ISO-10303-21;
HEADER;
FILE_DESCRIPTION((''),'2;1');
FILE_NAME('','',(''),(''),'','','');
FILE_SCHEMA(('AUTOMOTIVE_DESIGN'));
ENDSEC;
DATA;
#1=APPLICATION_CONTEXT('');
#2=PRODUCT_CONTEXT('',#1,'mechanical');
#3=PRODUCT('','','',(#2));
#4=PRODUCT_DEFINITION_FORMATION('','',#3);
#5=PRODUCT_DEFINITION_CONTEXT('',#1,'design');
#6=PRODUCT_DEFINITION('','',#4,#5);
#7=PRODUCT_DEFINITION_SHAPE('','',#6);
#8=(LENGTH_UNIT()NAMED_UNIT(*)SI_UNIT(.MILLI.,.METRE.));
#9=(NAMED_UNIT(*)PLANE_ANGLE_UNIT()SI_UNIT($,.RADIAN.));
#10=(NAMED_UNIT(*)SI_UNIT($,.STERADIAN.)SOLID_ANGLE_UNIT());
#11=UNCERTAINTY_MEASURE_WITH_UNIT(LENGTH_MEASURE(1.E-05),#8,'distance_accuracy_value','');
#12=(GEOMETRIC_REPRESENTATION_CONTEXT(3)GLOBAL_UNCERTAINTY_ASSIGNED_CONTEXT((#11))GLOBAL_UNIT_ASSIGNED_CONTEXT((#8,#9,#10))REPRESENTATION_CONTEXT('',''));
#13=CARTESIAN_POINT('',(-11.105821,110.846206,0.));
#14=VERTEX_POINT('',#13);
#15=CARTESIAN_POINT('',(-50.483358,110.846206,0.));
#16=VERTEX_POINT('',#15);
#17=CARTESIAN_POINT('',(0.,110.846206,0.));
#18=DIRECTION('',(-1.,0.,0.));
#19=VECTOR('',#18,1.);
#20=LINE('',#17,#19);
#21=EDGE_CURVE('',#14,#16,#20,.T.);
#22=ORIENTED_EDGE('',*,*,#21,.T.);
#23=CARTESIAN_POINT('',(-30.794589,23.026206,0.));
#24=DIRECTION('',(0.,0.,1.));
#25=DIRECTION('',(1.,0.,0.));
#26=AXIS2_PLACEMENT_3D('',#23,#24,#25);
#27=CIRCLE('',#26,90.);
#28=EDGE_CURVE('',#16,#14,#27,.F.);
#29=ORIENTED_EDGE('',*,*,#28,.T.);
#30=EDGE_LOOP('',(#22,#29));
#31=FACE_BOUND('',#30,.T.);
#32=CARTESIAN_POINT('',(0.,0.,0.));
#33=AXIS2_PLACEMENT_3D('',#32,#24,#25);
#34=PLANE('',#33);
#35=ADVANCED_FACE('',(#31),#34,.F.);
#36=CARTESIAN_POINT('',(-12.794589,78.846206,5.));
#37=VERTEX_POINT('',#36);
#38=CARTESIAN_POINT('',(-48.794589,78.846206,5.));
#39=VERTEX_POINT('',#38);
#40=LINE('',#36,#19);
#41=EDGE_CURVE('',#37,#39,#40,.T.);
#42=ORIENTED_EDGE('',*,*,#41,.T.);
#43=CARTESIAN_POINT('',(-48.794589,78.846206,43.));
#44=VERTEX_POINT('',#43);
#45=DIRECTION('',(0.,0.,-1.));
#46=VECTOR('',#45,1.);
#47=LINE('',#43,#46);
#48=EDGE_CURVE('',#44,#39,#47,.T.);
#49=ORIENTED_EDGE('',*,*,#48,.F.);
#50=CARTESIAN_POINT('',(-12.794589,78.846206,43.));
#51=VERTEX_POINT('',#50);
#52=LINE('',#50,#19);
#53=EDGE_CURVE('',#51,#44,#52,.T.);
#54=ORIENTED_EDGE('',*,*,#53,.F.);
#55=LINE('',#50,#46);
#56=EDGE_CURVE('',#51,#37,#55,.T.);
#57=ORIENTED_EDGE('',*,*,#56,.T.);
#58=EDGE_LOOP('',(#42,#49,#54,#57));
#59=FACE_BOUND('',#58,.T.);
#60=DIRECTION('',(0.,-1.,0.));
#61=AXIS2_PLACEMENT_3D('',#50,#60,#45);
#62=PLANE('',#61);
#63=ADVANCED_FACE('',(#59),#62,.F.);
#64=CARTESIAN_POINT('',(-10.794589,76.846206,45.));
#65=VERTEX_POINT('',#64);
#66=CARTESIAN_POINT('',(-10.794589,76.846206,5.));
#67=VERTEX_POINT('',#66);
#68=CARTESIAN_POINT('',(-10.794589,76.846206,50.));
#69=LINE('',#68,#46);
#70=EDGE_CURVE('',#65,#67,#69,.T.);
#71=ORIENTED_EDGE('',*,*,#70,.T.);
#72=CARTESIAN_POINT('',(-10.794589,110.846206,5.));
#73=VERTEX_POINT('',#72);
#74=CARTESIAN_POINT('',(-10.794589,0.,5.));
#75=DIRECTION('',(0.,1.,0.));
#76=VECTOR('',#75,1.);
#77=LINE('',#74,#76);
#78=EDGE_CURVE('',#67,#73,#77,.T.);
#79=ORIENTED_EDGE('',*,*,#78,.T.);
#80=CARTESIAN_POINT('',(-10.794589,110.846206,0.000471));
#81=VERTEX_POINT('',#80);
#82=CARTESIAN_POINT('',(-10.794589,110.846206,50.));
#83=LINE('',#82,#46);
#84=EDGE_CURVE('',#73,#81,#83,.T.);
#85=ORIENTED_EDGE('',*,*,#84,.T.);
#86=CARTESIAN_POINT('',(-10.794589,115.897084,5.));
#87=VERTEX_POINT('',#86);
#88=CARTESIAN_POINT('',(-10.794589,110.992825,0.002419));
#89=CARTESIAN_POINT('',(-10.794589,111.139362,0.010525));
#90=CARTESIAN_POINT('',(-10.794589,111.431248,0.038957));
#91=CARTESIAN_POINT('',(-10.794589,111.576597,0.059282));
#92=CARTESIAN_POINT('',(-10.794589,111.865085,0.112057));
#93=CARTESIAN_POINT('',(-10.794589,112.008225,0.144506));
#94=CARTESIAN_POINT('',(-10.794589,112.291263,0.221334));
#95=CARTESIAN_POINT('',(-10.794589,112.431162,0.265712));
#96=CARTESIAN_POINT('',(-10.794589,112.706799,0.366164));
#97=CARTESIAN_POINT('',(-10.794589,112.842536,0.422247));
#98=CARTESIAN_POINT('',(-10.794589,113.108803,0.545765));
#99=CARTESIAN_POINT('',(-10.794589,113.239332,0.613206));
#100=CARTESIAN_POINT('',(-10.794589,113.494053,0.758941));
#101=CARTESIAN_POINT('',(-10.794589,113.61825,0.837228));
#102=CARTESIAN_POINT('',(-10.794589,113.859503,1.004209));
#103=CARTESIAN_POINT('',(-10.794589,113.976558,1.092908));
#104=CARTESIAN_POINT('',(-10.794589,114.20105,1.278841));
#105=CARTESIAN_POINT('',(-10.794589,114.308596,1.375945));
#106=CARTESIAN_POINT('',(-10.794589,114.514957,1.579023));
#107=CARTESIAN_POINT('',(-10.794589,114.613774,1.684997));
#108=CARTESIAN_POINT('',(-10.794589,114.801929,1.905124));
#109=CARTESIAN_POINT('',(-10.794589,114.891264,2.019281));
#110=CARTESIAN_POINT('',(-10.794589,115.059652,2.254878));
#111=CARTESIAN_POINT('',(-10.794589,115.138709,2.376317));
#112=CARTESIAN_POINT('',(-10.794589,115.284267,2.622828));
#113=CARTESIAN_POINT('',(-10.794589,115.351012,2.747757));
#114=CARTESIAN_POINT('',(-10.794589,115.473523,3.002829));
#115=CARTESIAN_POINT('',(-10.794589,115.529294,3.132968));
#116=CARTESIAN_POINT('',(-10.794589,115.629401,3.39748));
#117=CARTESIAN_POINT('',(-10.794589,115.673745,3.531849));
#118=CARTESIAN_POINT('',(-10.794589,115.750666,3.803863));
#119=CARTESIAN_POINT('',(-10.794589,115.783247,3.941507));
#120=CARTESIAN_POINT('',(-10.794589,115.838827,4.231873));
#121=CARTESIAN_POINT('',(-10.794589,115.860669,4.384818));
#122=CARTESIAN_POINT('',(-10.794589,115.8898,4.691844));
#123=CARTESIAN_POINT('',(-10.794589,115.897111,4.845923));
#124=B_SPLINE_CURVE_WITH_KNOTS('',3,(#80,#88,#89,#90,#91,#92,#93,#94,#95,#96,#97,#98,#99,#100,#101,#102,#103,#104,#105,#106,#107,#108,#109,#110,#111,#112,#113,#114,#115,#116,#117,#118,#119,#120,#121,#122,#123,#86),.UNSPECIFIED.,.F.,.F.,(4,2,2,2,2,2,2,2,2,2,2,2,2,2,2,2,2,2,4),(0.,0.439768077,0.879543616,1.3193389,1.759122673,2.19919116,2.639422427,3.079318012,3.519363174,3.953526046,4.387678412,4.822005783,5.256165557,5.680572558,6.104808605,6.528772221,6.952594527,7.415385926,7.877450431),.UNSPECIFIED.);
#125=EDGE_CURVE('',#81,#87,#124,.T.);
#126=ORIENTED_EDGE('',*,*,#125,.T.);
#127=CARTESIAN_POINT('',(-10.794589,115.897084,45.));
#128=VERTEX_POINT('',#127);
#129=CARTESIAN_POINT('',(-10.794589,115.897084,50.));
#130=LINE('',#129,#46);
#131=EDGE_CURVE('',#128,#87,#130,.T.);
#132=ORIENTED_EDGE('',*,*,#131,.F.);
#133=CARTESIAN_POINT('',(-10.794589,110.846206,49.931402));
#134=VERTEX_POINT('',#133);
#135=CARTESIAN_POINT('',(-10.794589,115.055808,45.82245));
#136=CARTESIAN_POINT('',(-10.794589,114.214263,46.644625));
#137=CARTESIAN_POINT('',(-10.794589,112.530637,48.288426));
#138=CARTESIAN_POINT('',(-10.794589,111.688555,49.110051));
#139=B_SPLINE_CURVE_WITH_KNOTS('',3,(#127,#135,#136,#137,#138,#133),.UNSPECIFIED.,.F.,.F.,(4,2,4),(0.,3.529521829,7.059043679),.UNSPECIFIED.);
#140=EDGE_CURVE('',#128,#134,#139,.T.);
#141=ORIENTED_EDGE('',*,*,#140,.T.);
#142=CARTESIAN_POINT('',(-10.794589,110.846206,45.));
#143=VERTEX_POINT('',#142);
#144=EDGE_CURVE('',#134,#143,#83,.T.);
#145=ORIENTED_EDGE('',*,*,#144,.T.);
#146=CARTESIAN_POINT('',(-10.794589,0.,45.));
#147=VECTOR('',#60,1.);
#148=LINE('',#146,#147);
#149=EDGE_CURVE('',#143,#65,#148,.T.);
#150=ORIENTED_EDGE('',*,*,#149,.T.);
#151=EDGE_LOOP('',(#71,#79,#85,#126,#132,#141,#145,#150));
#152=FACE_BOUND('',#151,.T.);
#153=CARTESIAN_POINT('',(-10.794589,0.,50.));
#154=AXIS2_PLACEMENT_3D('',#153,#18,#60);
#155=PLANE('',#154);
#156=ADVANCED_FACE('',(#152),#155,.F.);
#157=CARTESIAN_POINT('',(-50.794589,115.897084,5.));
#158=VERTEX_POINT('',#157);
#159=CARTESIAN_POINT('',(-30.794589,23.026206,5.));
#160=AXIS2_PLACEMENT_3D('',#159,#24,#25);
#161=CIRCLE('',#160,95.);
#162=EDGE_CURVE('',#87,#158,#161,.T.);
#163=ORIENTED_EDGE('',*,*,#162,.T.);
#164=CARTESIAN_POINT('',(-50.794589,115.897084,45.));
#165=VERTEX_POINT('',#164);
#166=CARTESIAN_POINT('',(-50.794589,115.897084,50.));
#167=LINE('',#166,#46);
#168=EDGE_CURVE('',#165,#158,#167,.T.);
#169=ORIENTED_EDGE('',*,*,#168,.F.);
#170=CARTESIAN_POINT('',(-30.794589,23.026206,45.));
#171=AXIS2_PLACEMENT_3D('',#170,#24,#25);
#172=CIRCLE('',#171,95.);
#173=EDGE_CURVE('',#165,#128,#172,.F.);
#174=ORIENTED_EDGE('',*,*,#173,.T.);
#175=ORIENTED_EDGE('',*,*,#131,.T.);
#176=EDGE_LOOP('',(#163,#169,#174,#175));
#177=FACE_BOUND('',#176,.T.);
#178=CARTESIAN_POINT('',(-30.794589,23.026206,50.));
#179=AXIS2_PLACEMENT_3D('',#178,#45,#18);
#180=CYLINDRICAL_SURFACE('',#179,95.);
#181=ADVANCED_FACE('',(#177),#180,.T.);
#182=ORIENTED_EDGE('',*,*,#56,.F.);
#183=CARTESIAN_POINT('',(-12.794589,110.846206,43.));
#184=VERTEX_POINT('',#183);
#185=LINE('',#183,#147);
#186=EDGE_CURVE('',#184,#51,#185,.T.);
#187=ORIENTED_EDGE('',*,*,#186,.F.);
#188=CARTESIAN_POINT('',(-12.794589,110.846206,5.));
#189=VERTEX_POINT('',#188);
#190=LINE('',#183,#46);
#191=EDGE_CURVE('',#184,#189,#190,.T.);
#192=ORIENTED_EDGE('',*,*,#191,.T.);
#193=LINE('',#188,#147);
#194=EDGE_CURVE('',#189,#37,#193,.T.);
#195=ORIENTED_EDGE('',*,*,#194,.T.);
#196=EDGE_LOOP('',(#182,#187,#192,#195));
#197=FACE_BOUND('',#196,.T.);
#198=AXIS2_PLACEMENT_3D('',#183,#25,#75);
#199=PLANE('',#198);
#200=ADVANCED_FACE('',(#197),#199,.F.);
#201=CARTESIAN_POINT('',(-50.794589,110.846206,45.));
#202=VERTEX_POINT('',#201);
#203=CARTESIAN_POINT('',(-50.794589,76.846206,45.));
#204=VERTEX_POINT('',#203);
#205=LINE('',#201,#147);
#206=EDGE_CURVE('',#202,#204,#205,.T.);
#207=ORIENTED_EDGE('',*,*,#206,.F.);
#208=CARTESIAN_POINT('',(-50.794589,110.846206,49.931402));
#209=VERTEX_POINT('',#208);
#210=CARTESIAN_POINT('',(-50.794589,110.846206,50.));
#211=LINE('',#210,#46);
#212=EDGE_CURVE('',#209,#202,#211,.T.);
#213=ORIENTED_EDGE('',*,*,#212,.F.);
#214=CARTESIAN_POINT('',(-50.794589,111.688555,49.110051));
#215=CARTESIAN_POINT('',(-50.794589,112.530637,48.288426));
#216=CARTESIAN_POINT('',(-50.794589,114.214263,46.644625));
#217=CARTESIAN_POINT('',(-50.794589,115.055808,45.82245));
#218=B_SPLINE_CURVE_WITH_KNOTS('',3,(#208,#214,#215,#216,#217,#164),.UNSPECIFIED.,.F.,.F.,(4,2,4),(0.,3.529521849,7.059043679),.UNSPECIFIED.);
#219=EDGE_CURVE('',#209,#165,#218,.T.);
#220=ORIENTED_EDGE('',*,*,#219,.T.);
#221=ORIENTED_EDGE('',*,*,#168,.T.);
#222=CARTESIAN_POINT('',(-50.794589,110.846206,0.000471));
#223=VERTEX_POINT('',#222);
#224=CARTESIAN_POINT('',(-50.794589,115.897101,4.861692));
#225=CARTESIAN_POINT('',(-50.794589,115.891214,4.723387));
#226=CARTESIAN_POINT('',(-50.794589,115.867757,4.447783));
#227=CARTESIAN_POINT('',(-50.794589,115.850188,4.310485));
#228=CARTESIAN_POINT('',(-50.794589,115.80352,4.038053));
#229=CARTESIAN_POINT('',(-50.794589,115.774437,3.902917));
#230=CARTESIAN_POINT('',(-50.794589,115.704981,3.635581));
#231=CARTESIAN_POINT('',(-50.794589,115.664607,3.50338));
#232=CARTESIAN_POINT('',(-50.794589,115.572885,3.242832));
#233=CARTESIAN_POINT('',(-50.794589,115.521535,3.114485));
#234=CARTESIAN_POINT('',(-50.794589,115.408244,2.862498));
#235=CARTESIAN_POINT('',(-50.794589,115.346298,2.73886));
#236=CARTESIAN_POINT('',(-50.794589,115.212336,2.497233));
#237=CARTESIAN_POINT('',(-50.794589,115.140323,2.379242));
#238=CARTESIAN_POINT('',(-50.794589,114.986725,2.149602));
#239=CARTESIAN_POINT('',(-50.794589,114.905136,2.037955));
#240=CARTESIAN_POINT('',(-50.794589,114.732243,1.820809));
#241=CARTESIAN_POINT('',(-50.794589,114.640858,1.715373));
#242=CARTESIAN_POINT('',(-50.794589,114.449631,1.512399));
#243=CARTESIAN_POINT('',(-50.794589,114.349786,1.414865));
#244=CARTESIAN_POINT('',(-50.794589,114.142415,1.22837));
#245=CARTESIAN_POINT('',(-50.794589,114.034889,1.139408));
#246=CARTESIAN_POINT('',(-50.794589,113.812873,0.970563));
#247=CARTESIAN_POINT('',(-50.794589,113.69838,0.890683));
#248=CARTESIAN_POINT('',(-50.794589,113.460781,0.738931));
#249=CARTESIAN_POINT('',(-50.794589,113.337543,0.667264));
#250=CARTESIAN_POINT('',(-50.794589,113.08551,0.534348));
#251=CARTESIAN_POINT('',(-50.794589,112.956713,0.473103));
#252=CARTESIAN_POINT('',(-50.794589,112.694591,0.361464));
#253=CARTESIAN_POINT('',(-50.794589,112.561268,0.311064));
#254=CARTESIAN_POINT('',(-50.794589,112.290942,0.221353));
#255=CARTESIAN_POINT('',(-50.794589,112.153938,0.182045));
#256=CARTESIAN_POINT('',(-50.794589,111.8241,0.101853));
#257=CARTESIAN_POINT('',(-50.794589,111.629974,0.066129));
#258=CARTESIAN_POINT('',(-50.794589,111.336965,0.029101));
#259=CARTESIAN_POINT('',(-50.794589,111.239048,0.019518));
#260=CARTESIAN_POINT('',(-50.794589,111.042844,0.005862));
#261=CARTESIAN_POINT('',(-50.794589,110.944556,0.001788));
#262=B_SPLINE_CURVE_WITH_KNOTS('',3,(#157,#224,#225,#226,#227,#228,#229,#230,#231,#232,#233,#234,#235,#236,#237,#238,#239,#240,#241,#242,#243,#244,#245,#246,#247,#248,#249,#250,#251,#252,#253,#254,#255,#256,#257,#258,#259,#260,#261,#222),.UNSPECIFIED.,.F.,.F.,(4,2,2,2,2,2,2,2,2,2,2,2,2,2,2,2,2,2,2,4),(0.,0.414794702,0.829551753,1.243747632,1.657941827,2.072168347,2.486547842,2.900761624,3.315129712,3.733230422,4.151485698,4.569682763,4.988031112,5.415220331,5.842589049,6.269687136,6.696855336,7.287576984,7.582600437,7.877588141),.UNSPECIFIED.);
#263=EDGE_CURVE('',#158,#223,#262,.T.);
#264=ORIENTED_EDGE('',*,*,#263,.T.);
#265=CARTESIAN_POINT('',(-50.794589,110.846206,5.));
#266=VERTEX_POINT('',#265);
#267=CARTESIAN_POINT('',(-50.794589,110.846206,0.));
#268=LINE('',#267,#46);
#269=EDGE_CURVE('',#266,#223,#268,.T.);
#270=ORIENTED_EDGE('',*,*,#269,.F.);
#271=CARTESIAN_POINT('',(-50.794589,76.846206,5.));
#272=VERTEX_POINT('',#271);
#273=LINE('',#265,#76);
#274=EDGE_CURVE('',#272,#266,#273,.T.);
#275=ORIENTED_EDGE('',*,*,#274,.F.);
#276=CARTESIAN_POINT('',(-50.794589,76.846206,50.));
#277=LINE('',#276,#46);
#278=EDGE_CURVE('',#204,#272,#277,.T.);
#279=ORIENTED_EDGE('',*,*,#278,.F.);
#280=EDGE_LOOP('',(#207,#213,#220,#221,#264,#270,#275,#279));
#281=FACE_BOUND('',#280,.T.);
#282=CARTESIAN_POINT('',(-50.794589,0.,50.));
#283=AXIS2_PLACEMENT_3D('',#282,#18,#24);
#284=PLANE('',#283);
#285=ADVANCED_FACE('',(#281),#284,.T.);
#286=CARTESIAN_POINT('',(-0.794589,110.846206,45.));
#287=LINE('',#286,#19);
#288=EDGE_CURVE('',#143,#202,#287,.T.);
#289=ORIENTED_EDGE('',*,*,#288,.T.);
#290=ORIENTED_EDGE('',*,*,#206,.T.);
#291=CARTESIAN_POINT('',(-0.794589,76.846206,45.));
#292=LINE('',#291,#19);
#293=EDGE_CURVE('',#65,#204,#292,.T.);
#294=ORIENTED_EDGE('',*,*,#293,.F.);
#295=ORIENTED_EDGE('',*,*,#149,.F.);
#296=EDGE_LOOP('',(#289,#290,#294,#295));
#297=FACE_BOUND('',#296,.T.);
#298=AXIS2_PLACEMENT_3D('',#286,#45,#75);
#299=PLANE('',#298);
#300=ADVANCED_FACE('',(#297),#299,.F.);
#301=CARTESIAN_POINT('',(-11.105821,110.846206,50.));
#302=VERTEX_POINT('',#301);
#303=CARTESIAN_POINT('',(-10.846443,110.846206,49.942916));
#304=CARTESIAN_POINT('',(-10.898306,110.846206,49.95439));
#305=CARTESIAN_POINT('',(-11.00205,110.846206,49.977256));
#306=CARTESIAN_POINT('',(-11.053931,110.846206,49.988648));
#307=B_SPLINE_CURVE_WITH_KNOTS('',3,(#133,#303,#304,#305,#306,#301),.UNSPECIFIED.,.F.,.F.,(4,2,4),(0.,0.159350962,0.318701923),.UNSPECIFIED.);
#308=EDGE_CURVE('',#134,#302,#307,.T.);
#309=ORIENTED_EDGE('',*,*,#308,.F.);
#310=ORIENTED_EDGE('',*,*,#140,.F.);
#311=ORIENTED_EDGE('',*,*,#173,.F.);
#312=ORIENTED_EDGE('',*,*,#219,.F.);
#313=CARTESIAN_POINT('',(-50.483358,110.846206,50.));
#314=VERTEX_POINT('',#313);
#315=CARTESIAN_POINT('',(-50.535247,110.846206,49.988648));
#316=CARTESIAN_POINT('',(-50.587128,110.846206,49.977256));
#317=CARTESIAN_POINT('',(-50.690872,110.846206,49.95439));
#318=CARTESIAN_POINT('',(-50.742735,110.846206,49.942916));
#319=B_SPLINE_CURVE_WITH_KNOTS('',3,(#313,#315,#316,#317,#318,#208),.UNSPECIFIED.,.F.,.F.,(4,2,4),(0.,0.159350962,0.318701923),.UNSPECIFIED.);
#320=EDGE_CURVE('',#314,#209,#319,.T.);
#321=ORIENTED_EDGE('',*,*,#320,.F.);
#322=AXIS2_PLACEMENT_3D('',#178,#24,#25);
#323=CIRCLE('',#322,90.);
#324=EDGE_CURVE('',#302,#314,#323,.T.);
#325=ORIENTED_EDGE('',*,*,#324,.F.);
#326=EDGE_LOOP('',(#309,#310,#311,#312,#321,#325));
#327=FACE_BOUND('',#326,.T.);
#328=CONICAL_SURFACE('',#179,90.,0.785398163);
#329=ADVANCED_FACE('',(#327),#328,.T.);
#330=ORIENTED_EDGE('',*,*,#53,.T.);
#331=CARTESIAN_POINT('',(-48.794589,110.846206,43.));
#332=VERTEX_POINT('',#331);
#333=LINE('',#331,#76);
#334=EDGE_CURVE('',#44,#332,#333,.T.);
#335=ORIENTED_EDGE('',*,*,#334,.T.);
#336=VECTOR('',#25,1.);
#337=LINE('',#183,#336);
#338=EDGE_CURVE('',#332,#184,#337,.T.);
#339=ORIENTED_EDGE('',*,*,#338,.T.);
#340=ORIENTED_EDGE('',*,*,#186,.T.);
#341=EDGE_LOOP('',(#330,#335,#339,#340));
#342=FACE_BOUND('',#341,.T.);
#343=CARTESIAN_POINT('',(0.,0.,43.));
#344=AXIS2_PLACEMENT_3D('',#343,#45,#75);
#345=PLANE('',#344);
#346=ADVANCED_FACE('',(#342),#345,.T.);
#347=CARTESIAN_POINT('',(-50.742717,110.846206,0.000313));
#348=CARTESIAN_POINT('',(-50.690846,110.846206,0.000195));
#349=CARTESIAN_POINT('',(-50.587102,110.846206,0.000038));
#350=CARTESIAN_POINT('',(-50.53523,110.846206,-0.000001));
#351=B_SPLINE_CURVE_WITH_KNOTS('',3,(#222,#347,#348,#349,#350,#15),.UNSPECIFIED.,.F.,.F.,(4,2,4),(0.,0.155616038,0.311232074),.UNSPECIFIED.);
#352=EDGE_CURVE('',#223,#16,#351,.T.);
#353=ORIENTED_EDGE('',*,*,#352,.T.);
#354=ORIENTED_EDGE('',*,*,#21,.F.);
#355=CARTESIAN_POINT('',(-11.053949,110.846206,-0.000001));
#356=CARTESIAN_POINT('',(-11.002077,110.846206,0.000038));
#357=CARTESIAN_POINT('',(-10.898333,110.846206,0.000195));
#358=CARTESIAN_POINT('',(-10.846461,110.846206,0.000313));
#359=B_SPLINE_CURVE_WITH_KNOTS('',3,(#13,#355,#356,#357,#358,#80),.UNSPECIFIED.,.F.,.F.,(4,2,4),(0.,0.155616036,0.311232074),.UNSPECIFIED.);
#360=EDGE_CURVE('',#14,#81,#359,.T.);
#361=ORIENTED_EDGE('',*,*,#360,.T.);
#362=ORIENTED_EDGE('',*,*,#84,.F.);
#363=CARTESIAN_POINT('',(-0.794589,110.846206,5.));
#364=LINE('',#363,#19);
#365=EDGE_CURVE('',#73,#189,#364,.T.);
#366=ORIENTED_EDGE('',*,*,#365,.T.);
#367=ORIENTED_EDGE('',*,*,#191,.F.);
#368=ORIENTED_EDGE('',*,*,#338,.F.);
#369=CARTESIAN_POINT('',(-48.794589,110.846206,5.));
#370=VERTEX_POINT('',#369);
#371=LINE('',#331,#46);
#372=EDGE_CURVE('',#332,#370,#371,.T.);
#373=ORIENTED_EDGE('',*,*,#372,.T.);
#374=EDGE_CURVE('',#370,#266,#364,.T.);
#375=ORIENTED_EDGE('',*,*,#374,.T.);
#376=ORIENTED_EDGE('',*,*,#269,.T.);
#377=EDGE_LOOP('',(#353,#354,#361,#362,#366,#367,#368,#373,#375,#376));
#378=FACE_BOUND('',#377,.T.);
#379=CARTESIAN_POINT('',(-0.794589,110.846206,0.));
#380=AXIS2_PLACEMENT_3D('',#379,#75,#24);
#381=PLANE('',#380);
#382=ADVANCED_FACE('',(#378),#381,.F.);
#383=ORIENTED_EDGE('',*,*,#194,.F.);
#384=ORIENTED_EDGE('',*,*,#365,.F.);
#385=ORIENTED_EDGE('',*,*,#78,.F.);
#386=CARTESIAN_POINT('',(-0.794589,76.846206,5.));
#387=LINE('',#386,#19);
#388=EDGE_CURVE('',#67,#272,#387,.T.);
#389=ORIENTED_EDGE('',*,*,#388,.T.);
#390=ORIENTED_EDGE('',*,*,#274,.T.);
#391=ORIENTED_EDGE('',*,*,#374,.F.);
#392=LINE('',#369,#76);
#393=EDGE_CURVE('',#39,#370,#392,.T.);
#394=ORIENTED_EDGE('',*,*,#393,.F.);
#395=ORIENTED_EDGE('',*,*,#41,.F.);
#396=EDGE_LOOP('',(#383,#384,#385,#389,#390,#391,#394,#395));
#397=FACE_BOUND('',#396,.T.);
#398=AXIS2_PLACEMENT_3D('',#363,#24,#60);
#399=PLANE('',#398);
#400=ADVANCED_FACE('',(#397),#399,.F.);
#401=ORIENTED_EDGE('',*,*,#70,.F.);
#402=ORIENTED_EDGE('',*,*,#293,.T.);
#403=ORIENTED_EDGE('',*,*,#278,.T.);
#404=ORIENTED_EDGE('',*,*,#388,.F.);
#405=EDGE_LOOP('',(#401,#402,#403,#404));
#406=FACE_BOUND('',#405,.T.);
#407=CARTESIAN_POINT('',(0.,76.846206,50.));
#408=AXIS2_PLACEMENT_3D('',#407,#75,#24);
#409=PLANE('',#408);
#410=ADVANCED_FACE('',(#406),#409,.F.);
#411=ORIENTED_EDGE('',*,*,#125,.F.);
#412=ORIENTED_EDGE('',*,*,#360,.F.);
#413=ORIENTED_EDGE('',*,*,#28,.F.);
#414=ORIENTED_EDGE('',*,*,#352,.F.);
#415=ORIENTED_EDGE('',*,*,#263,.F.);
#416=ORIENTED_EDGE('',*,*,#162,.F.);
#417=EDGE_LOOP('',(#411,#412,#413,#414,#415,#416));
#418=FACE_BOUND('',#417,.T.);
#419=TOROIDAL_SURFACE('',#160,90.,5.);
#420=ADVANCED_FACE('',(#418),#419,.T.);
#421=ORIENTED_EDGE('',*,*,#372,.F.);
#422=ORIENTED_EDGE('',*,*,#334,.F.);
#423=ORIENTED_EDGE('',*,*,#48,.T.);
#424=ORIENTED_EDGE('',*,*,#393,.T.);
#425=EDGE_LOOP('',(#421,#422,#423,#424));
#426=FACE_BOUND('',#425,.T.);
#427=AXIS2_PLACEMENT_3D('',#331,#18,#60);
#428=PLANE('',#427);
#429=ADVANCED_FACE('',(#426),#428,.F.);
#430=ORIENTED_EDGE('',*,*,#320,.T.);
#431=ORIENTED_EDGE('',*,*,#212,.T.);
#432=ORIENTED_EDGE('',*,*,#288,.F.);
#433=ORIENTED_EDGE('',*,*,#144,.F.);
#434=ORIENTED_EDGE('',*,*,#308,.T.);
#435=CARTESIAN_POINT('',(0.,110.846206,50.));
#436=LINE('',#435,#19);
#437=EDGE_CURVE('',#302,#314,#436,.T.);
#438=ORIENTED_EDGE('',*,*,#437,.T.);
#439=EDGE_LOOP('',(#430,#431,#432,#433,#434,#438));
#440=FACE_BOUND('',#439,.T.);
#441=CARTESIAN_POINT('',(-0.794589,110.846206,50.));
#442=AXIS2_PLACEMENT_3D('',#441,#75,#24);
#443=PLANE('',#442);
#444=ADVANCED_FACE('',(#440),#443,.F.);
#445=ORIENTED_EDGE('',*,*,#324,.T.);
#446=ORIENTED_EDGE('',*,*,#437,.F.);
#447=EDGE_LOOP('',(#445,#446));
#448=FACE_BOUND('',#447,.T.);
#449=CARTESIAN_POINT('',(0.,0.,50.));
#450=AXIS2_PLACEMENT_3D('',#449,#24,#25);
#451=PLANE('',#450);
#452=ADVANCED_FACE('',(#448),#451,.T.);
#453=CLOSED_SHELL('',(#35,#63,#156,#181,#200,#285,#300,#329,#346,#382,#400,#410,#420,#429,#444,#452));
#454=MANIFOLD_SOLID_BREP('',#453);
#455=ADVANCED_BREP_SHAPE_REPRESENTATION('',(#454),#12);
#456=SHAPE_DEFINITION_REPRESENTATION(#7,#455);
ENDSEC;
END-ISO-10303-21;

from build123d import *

# Parameters (mm, degrees)
SALIENTE_EXTRUIR1_DEPTH = 50
CROQUIS4_W              = 5
CROQUIS4_H              = 34
CORTAR_EXTRUIR3_DEPTH   = 50
CROQUIS5_W              = 36
CROQUIS5_H              = 32
CORTAR_EXTRUIR4_DEPTH   = 38
REDONDEO1_R             = 5
CHAFL_N1_SIZE           = 5


with BuildPart() as part:
    # Croquis1 → Saliente-Extruir1 (new body)
    with BuildSketch(Plane.XY):
        with BuildLine():
            Line((-50.7945892, 115.897083669), (-50.7945892, 110.077719464))
            Line((-50.7945892, 110.077719464), (-50.7945892, 76.846205564))
            Line((-50.7945892, 76.846205564), (-10.7945892, 76.846205564))
            Line((-10.7945892, 76.846205564), (-10.7945892, 110.077719464))
            Line((-10.7945892, 110.077719464), (-10.7945892, 115.897083669))
            ThreePointArc((-10.7945892, 115.897083669), (-30.7945892, 118.026205564), (-50.7945892, 115.897083669))
        make_face()
    extrude(amount=SALIENTE_EXTRUIR1_DEPTH)

    # Croquis4 → Cortar-Extruir3 (cut)
    with BuildSketch(Plane.ZY.offset(50.7945892)):
        with Locations((2.5, 93.846205564)):
            Rectangle(CROQUIS4_W, CROQUIS4_H)
        with Locations((47.5, 93.846205564)):
            Rectangle(CROQUIS4_W, CROQUIS4_H)
    extrude(amount=-CORTAR_EXTRUIR3_DEPTH, mode=Mode.SUBTRACT)

    # Croquis5 → Cortar-Extruir4 (cut)
    with BuildSketch(Plane(origin=(0, 0, 5), x_dir=(-1, 0, 0), z_dir=(0, 0, -1))):
        with Locations((30.7945892, 94.846205564)):
            Rectangle(CROQUIS5_W, CROQUIS5_H)
    extrude(amount=-CORTAR_EXTRUIR4_DEPTH, mode=Mode.SUBTRACT)

    # Redondeo1
    redondeo1_edges = [part.edges().sort_by_distance(p)[0] for p in [
        (-30.7945892, 118.026205564, 0),
    ]]
    fillet(redondeo1_edges, radius=REDONDEO1_R)

    # Chaflán1
    chafl_n1_edges = [part.edges().sort_by_distance(p)[0] for p in [
        (-30.7945892, 118.026205564, 50),
    ]]
    chamfer(chafl_n1_edges, length=CHAFL_N1_SIZE)


solid = part.part
